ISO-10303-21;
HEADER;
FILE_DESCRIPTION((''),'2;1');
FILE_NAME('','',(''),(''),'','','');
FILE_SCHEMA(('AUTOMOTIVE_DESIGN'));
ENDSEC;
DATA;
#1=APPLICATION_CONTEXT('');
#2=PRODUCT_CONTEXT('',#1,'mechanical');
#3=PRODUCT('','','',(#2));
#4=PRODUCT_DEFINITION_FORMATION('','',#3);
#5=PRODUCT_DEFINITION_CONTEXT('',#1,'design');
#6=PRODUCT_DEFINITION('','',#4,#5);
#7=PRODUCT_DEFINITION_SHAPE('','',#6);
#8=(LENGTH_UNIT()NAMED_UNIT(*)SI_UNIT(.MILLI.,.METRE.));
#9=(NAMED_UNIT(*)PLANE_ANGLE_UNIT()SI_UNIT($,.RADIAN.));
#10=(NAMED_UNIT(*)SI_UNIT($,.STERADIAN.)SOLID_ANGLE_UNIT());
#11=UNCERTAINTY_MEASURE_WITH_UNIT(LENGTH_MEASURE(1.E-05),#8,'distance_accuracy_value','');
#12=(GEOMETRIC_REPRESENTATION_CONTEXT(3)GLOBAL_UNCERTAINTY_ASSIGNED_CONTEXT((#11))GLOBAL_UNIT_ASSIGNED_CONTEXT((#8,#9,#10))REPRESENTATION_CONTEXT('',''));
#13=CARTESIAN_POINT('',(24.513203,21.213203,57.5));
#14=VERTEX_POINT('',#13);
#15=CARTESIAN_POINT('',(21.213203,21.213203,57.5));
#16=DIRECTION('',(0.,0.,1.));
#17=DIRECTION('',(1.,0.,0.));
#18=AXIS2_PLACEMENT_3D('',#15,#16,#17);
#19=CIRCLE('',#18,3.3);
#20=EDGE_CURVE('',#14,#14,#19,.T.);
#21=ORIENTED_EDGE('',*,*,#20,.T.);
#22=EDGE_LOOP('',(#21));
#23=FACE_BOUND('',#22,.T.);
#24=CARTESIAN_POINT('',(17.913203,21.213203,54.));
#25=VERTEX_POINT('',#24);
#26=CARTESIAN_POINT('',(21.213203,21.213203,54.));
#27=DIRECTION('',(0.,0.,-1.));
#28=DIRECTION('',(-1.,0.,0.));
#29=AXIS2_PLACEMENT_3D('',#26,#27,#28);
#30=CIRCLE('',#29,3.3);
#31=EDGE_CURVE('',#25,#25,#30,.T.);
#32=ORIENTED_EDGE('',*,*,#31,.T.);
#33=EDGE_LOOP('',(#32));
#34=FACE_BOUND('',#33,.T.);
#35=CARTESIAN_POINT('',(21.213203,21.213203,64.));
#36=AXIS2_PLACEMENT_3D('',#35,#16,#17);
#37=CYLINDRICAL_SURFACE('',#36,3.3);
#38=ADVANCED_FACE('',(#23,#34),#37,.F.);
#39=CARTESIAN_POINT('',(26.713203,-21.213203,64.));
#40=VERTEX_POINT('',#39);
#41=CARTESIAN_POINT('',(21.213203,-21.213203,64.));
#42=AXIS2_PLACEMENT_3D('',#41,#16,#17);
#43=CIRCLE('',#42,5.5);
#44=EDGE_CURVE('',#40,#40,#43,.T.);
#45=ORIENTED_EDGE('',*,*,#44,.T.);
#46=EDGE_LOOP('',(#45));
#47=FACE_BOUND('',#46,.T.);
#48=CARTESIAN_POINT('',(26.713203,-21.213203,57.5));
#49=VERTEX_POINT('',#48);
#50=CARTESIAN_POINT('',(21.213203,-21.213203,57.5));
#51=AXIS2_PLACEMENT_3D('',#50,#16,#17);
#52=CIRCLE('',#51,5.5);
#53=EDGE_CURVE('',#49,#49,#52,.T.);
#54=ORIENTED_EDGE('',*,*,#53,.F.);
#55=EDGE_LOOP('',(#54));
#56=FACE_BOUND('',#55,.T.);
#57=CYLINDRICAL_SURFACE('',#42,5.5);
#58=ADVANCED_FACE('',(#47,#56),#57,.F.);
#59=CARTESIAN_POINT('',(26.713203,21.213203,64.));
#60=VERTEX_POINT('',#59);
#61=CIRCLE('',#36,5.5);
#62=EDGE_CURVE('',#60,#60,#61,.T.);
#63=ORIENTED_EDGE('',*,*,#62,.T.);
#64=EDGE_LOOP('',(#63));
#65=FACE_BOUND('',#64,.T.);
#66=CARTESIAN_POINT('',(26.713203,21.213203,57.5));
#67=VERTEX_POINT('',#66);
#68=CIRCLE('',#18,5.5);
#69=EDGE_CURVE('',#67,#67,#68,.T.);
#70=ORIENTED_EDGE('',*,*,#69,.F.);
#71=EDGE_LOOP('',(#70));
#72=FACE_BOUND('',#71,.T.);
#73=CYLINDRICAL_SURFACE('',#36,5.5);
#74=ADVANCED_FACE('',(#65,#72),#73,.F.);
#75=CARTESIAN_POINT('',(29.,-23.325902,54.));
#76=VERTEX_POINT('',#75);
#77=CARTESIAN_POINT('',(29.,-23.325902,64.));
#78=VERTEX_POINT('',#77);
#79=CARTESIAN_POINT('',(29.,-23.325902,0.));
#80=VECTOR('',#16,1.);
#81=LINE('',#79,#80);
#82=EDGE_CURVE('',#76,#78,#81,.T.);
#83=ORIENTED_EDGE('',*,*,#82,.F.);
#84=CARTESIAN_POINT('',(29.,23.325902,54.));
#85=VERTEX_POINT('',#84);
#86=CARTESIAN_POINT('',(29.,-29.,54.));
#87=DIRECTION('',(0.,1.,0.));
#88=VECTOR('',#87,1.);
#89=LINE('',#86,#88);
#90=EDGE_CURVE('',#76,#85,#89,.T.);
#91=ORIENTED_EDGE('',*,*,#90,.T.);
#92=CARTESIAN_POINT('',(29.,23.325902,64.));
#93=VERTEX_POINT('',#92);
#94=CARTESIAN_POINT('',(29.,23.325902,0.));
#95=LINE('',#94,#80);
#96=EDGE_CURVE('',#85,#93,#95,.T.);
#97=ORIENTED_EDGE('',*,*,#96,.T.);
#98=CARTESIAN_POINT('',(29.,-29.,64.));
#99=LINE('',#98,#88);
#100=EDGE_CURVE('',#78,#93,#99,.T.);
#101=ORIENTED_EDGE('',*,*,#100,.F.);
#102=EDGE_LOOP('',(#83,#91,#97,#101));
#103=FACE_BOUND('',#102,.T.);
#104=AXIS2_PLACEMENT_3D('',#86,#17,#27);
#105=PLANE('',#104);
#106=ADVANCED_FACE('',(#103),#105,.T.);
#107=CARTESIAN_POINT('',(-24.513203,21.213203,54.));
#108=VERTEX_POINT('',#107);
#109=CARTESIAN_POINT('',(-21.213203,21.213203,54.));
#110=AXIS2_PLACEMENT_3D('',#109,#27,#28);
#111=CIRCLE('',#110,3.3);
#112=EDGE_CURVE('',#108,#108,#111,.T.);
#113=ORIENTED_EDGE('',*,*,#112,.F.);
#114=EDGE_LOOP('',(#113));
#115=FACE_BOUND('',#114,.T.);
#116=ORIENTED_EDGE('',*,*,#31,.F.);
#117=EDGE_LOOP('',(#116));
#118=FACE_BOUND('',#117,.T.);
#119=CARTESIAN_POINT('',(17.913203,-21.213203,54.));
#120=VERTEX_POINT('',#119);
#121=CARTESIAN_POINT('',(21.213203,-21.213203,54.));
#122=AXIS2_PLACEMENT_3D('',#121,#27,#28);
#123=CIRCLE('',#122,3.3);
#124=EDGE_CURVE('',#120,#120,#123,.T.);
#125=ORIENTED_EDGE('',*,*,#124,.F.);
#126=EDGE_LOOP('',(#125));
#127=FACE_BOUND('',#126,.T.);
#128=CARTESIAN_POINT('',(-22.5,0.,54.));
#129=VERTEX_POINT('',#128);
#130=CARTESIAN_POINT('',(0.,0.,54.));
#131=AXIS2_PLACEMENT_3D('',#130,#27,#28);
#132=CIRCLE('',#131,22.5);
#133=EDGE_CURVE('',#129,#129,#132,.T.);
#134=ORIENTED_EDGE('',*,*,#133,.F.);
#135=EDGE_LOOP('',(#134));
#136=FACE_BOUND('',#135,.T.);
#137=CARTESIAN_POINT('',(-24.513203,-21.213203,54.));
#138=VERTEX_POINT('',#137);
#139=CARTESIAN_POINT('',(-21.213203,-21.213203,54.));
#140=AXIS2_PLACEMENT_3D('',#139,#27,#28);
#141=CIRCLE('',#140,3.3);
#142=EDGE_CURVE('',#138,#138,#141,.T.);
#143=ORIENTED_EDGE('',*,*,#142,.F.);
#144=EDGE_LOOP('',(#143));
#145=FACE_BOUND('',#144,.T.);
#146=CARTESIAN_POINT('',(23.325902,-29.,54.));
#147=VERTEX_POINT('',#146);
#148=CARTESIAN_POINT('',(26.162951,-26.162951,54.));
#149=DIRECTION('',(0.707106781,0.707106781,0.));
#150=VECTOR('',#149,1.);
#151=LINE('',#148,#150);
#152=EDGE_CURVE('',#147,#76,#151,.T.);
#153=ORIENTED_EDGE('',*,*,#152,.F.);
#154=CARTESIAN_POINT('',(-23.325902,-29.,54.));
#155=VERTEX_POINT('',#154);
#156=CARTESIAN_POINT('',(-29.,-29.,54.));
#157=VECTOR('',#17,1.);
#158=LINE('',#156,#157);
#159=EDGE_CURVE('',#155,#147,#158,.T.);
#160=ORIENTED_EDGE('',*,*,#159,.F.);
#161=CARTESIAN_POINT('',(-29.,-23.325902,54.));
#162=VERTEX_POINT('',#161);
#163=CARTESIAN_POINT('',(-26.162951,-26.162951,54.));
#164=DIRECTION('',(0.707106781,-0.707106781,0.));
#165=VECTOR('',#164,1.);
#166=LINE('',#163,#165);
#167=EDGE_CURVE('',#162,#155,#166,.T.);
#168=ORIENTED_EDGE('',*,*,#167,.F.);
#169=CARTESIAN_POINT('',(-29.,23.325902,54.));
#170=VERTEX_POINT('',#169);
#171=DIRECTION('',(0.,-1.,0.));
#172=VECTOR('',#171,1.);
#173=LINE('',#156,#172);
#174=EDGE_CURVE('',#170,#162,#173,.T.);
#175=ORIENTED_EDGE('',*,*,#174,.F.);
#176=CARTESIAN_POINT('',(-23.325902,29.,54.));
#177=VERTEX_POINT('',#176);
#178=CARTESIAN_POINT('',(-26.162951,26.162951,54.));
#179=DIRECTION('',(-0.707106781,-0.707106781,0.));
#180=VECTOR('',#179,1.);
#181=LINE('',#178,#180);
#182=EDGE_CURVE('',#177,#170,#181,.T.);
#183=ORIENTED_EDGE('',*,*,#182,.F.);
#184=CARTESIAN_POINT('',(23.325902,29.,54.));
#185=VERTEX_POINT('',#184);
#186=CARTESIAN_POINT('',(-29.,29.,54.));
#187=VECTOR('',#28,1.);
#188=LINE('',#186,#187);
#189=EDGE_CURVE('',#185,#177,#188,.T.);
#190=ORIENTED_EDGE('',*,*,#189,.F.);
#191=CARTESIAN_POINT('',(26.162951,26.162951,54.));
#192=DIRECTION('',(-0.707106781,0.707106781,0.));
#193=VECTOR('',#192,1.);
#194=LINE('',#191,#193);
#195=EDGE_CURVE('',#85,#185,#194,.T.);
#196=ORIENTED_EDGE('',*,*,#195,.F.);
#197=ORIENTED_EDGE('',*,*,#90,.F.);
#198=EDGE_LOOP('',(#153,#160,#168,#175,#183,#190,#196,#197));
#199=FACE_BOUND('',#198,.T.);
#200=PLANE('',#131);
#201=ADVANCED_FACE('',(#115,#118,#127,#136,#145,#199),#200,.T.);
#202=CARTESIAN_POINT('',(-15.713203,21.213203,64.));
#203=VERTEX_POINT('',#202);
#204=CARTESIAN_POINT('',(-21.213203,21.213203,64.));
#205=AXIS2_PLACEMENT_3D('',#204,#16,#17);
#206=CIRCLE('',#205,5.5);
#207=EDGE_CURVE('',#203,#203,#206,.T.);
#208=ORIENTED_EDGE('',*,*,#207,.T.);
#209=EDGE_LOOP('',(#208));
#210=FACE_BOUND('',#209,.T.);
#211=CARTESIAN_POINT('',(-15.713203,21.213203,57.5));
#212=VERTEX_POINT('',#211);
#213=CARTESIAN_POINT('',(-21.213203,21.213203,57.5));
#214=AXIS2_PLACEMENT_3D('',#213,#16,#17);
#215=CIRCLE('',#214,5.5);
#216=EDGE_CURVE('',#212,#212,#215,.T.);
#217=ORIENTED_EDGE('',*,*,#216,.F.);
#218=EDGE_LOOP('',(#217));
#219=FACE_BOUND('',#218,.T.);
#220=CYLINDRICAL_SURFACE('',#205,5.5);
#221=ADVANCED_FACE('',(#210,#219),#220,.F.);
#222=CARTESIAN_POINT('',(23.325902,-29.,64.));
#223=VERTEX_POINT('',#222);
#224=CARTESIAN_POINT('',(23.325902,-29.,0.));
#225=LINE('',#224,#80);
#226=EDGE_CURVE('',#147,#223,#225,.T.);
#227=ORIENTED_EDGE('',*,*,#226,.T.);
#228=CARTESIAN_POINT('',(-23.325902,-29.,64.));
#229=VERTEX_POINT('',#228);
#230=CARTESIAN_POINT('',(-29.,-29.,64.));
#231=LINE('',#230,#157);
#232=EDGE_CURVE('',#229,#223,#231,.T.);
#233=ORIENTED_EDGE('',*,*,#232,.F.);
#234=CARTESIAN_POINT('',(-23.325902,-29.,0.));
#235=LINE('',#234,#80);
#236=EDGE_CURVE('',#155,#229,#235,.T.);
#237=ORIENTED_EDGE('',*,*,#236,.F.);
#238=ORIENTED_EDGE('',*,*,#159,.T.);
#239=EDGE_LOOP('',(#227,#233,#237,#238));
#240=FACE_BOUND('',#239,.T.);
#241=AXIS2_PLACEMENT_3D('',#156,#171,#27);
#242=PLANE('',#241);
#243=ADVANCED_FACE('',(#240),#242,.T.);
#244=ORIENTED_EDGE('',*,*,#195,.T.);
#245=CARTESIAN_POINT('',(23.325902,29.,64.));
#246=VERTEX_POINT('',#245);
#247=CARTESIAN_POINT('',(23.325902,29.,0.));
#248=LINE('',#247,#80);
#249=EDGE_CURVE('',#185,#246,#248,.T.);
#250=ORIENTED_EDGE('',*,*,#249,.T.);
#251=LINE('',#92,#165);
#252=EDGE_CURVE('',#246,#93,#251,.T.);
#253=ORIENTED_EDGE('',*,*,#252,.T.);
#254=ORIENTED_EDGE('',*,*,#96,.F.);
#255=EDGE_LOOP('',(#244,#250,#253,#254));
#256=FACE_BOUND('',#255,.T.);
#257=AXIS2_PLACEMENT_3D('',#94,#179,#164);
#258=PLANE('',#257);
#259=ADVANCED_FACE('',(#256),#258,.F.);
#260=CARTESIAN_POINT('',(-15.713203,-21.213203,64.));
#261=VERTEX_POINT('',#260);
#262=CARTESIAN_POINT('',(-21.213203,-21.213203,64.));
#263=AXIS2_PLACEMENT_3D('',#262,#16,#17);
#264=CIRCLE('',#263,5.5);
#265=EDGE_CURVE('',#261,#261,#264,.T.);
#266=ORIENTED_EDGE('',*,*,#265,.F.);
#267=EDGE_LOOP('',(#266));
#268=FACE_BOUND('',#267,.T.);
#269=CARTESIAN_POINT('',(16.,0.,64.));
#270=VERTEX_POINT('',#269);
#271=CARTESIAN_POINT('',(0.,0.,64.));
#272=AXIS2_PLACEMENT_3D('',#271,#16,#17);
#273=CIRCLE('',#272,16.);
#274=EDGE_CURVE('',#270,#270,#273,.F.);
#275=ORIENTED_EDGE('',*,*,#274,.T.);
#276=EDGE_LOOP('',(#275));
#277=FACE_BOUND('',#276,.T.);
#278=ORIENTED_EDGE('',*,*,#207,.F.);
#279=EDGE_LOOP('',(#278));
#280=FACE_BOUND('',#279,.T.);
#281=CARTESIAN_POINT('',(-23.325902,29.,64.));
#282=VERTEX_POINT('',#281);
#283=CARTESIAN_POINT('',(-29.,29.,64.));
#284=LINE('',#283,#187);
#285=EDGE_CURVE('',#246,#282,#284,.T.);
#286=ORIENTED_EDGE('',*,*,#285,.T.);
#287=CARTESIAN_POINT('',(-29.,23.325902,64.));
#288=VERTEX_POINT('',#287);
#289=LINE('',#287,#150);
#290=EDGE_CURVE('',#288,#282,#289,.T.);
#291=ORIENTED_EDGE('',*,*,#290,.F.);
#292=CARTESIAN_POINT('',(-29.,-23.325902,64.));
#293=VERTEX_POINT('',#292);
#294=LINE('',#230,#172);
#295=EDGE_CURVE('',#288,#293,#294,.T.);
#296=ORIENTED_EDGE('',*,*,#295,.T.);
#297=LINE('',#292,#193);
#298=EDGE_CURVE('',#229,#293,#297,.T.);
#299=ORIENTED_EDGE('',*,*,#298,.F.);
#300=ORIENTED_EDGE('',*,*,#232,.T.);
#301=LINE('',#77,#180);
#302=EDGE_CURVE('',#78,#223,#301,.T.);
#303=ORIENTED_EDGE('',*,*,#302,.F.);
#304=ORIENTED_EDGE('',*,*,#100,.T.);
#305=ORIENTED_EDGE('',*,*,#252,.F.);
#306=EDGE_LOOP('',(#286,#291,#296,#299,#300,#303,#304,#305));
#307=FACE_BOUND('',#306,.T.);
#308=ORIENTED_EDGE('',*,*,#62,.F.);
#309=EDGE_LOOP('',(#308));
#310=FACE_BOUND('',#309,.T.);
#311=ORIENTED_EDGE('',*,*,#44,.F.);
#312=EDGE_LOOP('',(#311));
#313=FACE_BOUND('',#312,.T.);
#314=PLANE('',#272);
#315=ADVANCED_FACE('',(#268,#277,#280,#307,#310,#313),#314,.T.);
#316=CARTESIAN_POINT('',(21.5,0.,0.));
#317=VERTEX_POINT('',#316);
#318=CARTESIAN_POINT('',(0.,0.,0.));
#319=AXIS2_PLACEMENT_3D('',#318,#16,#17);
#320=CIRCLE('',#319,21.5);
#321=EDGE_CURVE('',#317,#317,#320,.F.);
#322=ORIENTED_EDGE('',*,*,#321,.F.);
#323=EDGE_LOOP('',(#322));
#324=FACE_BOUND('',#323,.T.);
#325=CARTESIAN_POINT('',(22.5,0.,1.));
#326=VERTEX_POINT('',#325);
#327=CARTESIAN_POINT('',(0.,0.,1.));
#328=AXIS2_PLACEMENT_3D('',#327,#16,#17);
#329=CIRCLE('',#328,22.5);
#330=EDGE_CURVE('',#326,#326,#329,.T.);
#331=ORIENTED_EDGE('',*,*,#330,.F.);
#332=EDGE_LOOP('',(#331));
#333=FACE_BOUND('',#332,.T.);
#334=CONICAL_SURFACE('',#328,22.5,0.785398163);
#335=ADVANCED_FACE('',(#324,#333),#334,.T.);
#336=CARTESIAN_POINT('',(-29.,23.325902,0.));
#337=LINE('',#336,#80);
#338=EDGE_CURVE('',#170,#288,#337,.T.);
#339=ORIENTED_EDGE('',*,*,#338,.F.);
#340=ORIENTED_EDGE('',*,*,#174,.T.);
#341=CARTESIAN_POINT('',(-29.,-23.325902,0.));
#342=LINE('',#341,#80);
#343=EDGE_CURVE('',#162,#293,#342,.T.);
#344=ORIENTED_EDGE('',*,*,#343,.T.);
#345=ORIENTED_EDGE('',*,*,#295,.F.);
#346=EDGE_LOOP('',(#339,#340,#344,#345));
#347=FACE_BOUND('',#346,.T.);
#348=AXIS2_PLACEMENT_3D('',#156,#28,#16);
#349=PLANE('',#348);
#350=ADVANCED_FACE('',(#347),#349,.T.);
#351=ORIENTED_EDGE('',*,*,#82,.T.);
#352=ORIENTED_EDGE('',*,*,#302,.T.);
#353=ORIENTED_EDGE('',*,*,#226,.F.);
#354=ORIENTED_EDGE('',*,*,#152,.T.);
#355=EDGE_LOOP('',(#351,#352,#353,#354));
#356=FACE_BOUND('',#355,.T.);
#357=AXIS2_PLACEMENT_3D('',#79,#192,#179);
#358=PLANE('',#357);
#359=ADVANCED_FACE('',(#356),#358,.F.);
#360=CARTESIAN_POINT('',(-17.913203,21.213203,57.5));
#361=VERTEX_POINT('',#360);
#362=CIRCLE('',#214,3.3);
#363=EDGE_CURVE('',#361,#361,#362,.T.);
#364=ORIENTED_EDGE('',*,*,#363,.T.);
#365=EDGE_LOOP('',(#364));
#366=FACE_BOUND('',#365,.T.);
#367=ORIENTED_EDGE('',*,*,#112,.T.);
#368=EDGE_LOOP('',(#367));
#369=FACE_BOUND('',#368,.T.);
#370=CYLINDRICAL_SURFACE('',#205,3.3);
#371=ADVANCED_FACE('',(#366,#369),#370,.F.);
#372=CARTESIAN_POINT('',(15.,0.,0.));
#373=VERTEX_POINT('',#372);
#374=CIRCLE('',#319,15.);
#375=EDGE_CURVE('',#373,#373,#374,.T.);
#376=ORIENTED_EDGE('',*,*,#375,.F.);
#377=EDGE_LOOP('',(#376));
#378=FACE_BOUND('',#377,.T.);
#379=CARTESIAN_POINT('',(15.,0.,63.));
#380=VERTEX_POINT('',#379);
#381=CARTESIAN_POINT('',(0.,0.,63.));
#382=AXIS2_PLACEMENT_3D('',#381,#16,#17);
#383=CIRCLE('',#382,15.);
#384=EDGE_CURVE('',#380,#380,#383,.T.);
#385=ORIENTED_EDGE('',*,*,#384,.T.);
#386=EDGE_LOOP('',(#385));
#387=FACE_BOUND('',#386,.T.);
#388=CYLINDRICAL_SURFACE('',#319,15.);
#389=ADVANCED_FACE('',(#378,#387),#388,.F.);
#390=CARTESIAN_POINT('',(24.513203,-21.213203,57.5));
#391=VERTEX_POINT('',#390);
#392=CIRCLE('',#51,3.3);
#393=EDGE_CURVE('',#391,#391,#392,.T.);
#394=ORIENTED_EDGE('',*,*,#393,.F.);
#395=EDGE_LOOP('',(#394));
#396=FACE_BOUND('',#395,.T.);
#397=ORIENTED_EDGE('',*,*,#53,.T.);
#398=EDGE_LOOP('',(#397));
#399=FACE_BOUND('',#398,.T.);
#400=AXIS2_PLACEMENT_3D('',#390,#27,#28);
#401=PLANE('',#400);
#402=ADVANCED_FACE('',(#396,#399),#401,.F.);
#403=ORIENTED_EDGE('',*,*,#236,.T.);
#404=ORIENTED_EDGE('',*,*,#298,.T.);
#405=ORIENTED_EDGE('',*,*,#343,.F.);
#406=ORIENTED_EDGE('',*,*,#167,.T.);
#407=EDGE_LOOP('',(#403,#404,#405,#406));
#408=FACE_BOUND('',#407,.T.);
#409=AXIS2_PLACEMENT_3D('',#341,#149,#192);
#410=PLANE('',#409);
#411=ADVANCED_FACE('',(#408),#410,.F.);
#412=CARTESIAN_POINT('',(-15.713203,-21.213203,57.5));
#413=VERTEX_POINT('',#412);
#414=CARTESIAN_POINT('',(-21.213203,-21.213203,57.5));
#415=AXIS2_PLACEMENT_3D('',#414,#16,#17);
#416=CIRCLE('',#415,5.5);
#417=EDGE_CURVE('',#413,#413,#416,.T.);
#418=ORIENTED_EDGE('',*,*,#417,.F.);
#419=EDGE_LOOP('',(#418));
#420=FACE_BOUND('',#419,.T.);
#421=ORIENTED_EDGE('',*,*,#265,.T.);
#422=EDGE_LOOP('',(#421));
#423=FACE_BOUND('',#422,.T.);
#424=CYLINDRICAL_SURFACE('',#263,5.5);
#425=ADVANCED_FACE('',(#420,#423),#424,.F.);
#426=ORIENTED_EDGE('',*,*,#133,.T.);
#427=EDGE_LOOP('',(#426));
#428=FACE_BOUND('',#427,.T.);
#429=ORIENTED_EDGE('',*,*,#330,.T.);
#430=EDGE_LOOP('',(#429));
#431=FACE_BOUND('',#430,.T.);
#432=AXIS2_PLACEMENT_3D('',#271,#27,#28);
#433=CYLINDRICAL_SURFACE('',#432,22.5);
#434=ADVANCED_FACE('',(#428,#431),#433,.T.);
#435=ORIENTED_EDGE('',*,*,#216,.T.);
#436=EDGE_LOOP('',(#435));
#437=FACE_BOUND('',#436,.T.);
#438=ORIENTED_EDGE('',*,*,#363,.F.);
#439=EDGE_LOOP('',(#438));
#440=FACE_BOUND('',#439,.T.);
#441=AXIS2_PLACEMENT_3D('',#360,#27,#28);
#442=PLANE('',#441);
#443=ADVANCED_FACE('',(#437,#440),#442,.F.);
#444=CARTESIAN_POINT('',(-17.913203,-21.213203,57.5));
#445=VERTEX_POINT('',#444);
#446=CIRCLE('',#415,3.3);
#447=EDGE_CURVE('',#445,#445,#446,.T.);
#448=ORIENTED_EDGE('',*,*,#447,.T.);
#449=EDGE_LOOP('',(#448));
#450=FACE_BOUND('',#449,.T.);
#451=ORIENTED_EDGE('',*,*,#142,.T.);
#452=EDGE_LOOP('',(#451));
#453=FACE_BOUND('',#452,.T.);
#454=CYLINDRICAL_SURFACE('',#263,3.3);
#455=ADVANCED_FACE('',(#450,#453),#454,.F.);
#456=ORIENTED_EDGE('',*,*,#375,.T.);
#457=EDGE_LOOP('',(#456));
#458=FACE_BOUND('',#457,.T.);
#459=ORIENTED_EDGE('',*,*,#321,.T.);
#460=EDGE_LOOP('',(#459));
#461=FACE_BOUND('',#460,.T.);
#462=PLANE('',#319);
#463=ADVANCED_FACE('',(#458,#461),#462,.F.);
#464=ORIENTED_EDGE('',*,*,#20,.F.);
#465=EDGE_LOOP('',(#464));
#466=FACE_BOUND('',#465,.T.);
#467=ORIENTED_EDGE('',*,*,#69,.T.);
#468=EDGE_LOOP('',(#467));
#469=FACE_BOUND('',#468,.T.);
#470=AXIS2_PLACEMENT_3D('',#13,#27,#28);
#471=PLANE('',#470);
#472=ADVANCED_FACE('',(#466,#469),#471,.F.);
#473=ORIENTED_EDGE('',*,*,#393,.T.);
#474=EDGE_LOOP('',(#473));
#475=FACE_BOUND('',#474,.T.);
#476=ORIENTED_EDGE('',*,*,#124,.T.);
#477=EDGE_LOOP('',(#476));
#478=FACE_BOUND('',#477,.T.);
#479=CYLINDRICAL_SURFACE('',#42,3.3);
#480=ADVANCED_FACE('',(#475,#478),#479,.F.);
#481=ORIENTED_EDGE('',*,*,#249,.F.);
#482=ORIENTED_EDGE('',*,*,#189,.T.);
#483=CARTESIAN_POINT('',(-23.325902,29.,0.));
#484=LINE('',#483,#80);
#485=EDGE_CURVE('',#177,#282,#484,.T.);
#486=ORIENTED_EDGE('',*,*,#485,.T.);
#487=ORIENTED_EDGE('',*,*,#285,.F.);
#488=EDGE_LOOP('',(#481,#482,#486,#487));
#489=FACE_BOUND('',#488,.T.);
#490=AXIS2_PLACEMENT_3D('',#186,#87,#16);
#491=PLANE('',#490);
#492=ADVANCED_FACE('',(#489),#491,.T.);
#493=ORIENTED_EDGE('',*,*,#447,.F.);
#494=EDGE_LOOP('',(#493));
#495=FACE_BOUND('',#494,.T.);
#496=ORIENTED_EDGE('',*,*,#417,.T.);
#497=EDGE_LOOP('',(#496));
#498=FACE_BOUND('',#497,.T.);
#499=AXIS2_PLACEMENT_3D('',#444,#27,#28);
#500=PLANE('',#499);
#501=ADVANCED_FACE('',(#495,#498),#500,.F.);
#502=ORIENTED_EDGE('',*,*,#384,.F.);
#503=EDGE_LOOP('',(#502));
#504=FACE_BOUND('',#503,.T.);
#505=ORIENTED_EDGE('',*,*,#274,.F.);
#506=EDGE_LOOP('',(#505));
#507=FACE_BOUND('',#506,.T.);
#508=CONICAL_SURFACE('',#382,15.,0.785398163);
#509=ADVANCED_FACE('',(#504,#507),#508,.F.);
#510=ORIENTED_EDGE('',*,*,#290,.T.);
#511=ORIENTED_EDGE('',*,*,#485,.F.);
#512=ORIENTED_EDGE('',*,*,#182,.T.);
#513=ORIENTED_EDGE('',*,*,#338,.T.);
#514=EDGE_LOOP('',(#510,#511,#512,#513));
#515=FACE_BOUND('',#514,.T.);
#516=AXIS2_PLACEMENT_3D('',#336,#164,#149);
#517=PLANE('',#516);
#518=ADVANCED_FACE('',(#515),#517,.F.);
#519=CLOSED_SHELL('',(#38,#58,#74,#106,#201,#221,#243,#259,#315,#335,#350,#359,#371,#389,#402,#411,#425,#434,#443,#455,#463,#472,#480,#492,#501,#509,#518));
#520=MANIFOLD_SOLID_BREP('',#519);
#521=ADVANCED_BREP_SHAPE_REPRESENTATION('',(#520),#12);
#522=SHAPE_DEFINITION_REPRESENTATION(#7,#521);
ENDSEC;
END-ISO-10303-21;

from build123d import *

# Parameters (mm, degrees)
SKETCH1_R                                           = 22.5
BOSS_EXTRUDE1_DEPTH                                 = 64
SKETCH2_W                                           = 58
SKETCH2_H                                           = 58
BOSS_EXTRUDE2_DEPTH                                 = 10
CUT_EXTRUDE1_DEPTH                                  = 77.013156756
CBORE_FOR_M6_HEX_SOCKET_HEAD_CAP_SCREW1_D           = 6.6
CBORE_FOR_M6_HEX_SOCKET_HEAD_CAP_SCREW1_DEPTH       = 22
CBORE_FOR_M6_HEX_SOCKET_HEAD_CAP_SCREW1_CBORE_D     = 11
CBORE_FOR_M6_HEX_SOCKET_HEAD_CAP_SCREW1_CBORE_DEPTH = 6.5
CBORE_FOR_M6_HEX_SOCKET_HEAD_CAP_SCREW1_TIP         = 1.982840043
SKETCH8_R                                           = 15
CUT_EXTRUDE2_DEPTH                                  = 77.013156756
CHAMFER1_SIZE                                       = 1


with BuildPart() as part:
    # Sketch1 → Boss-Extrude1 (new body)
    with BuildSketch(Plane.XY):
        Circle(SKETCH1_R)
    extrude(amount=BOSS_EXTRUDE1_DEPTH)

    # Sketch2 → Boss-Extrude2 (add)
    with BuildSketch(Plane.XY.offset(64)):
        Rectangle(SKETCH2_W, SKETCH2_H)
    extrude(amount=-BOSS_EXTRUDE2_DEPTH)

    # Sketch4 → Cut-Extrude1 (cut, through all)
    with BuildSketch(Plane.XY.offset(64)):
        Polygon((-29, 29), (-29, 23.325901808), (-23.325901808, 29), align=None)
        Polygon((23.325901808, 29), (29, 29), (29, 23.325901808), align=None)
        Polygon((29, -29), (29, -23.325901808), (23.325901808, -29), align=None)
        Polygon((-23.325901808, -29), (-29, -29), (-29, -23.325901808), align=None)
    extrude(amount=-CUT_EXTRUDE1_DEPTH, mode=Mode.SUBTRACT)

    # CBORE for M6 Hex Socket Head Cap Screw1
    with Locations(Plane.XY.offset(64)):
        with Locations((-21.213203436, 21.213203436), (21.213203436, 21.213203436), (21.213203436, -21.213203436), (-21.213203436, -21.213203436)):
            CounterBoreHole(CBORE_FOR_M6_HEX_SOCKET_HEAD_CAP_SCREW1_D / 2, CBORE_FOR_M6_HEX_SOCKET_HEAD_CAP_SCREW1_CBORE_D / 2, CBORE_FOR_M6_HEX_SOCKET_HEAD_CAP_SCREW1_CBORE_DEPTH, depth=CBORE_FOR_M6_HEX_SOCKET_HEAD_CAP_SCREW1_DEPTH)
            with Locations((0, 0, -(CBORE_FOR_M6_HEX_SOCKET_HEAD_CAP_SCREW1_DEPTH + CBORE_FOR_M6_HEX_SOCKET_HEAD_CAP_SCREW1_TIP / 2))):  # 118° drill point
                Cone(0, CBORE_FOR_M6_HEX_SOCKET_HEAD_CAP_SCREW1_D / 2, CBORE_FOR_M6_HEX_SOCKET_HEAD_CAP_SCREW1_TIP, mode=Mode.SUBTRACT)

    # Sketch8 → Cut-Extrude2 (cut, through all)
    with BuildSketch(Plane.XY.offset(64)):
        Circle(SKETCH8_R)
    extrude(amount=-CUT_EXTRUDE2_DEPTH, mode=Mode.SUBTRACT)

    # Chamfer1
    chamfer1_edges = [part.edges().sort_by_distance(p)[0] for p in [
        (-15, 0, 64),
        (-22.5, 0, 0),
    ]]
    chamfer(chamfer1_edges, length=CHAMFER1_SIZE)


solid = part.part
